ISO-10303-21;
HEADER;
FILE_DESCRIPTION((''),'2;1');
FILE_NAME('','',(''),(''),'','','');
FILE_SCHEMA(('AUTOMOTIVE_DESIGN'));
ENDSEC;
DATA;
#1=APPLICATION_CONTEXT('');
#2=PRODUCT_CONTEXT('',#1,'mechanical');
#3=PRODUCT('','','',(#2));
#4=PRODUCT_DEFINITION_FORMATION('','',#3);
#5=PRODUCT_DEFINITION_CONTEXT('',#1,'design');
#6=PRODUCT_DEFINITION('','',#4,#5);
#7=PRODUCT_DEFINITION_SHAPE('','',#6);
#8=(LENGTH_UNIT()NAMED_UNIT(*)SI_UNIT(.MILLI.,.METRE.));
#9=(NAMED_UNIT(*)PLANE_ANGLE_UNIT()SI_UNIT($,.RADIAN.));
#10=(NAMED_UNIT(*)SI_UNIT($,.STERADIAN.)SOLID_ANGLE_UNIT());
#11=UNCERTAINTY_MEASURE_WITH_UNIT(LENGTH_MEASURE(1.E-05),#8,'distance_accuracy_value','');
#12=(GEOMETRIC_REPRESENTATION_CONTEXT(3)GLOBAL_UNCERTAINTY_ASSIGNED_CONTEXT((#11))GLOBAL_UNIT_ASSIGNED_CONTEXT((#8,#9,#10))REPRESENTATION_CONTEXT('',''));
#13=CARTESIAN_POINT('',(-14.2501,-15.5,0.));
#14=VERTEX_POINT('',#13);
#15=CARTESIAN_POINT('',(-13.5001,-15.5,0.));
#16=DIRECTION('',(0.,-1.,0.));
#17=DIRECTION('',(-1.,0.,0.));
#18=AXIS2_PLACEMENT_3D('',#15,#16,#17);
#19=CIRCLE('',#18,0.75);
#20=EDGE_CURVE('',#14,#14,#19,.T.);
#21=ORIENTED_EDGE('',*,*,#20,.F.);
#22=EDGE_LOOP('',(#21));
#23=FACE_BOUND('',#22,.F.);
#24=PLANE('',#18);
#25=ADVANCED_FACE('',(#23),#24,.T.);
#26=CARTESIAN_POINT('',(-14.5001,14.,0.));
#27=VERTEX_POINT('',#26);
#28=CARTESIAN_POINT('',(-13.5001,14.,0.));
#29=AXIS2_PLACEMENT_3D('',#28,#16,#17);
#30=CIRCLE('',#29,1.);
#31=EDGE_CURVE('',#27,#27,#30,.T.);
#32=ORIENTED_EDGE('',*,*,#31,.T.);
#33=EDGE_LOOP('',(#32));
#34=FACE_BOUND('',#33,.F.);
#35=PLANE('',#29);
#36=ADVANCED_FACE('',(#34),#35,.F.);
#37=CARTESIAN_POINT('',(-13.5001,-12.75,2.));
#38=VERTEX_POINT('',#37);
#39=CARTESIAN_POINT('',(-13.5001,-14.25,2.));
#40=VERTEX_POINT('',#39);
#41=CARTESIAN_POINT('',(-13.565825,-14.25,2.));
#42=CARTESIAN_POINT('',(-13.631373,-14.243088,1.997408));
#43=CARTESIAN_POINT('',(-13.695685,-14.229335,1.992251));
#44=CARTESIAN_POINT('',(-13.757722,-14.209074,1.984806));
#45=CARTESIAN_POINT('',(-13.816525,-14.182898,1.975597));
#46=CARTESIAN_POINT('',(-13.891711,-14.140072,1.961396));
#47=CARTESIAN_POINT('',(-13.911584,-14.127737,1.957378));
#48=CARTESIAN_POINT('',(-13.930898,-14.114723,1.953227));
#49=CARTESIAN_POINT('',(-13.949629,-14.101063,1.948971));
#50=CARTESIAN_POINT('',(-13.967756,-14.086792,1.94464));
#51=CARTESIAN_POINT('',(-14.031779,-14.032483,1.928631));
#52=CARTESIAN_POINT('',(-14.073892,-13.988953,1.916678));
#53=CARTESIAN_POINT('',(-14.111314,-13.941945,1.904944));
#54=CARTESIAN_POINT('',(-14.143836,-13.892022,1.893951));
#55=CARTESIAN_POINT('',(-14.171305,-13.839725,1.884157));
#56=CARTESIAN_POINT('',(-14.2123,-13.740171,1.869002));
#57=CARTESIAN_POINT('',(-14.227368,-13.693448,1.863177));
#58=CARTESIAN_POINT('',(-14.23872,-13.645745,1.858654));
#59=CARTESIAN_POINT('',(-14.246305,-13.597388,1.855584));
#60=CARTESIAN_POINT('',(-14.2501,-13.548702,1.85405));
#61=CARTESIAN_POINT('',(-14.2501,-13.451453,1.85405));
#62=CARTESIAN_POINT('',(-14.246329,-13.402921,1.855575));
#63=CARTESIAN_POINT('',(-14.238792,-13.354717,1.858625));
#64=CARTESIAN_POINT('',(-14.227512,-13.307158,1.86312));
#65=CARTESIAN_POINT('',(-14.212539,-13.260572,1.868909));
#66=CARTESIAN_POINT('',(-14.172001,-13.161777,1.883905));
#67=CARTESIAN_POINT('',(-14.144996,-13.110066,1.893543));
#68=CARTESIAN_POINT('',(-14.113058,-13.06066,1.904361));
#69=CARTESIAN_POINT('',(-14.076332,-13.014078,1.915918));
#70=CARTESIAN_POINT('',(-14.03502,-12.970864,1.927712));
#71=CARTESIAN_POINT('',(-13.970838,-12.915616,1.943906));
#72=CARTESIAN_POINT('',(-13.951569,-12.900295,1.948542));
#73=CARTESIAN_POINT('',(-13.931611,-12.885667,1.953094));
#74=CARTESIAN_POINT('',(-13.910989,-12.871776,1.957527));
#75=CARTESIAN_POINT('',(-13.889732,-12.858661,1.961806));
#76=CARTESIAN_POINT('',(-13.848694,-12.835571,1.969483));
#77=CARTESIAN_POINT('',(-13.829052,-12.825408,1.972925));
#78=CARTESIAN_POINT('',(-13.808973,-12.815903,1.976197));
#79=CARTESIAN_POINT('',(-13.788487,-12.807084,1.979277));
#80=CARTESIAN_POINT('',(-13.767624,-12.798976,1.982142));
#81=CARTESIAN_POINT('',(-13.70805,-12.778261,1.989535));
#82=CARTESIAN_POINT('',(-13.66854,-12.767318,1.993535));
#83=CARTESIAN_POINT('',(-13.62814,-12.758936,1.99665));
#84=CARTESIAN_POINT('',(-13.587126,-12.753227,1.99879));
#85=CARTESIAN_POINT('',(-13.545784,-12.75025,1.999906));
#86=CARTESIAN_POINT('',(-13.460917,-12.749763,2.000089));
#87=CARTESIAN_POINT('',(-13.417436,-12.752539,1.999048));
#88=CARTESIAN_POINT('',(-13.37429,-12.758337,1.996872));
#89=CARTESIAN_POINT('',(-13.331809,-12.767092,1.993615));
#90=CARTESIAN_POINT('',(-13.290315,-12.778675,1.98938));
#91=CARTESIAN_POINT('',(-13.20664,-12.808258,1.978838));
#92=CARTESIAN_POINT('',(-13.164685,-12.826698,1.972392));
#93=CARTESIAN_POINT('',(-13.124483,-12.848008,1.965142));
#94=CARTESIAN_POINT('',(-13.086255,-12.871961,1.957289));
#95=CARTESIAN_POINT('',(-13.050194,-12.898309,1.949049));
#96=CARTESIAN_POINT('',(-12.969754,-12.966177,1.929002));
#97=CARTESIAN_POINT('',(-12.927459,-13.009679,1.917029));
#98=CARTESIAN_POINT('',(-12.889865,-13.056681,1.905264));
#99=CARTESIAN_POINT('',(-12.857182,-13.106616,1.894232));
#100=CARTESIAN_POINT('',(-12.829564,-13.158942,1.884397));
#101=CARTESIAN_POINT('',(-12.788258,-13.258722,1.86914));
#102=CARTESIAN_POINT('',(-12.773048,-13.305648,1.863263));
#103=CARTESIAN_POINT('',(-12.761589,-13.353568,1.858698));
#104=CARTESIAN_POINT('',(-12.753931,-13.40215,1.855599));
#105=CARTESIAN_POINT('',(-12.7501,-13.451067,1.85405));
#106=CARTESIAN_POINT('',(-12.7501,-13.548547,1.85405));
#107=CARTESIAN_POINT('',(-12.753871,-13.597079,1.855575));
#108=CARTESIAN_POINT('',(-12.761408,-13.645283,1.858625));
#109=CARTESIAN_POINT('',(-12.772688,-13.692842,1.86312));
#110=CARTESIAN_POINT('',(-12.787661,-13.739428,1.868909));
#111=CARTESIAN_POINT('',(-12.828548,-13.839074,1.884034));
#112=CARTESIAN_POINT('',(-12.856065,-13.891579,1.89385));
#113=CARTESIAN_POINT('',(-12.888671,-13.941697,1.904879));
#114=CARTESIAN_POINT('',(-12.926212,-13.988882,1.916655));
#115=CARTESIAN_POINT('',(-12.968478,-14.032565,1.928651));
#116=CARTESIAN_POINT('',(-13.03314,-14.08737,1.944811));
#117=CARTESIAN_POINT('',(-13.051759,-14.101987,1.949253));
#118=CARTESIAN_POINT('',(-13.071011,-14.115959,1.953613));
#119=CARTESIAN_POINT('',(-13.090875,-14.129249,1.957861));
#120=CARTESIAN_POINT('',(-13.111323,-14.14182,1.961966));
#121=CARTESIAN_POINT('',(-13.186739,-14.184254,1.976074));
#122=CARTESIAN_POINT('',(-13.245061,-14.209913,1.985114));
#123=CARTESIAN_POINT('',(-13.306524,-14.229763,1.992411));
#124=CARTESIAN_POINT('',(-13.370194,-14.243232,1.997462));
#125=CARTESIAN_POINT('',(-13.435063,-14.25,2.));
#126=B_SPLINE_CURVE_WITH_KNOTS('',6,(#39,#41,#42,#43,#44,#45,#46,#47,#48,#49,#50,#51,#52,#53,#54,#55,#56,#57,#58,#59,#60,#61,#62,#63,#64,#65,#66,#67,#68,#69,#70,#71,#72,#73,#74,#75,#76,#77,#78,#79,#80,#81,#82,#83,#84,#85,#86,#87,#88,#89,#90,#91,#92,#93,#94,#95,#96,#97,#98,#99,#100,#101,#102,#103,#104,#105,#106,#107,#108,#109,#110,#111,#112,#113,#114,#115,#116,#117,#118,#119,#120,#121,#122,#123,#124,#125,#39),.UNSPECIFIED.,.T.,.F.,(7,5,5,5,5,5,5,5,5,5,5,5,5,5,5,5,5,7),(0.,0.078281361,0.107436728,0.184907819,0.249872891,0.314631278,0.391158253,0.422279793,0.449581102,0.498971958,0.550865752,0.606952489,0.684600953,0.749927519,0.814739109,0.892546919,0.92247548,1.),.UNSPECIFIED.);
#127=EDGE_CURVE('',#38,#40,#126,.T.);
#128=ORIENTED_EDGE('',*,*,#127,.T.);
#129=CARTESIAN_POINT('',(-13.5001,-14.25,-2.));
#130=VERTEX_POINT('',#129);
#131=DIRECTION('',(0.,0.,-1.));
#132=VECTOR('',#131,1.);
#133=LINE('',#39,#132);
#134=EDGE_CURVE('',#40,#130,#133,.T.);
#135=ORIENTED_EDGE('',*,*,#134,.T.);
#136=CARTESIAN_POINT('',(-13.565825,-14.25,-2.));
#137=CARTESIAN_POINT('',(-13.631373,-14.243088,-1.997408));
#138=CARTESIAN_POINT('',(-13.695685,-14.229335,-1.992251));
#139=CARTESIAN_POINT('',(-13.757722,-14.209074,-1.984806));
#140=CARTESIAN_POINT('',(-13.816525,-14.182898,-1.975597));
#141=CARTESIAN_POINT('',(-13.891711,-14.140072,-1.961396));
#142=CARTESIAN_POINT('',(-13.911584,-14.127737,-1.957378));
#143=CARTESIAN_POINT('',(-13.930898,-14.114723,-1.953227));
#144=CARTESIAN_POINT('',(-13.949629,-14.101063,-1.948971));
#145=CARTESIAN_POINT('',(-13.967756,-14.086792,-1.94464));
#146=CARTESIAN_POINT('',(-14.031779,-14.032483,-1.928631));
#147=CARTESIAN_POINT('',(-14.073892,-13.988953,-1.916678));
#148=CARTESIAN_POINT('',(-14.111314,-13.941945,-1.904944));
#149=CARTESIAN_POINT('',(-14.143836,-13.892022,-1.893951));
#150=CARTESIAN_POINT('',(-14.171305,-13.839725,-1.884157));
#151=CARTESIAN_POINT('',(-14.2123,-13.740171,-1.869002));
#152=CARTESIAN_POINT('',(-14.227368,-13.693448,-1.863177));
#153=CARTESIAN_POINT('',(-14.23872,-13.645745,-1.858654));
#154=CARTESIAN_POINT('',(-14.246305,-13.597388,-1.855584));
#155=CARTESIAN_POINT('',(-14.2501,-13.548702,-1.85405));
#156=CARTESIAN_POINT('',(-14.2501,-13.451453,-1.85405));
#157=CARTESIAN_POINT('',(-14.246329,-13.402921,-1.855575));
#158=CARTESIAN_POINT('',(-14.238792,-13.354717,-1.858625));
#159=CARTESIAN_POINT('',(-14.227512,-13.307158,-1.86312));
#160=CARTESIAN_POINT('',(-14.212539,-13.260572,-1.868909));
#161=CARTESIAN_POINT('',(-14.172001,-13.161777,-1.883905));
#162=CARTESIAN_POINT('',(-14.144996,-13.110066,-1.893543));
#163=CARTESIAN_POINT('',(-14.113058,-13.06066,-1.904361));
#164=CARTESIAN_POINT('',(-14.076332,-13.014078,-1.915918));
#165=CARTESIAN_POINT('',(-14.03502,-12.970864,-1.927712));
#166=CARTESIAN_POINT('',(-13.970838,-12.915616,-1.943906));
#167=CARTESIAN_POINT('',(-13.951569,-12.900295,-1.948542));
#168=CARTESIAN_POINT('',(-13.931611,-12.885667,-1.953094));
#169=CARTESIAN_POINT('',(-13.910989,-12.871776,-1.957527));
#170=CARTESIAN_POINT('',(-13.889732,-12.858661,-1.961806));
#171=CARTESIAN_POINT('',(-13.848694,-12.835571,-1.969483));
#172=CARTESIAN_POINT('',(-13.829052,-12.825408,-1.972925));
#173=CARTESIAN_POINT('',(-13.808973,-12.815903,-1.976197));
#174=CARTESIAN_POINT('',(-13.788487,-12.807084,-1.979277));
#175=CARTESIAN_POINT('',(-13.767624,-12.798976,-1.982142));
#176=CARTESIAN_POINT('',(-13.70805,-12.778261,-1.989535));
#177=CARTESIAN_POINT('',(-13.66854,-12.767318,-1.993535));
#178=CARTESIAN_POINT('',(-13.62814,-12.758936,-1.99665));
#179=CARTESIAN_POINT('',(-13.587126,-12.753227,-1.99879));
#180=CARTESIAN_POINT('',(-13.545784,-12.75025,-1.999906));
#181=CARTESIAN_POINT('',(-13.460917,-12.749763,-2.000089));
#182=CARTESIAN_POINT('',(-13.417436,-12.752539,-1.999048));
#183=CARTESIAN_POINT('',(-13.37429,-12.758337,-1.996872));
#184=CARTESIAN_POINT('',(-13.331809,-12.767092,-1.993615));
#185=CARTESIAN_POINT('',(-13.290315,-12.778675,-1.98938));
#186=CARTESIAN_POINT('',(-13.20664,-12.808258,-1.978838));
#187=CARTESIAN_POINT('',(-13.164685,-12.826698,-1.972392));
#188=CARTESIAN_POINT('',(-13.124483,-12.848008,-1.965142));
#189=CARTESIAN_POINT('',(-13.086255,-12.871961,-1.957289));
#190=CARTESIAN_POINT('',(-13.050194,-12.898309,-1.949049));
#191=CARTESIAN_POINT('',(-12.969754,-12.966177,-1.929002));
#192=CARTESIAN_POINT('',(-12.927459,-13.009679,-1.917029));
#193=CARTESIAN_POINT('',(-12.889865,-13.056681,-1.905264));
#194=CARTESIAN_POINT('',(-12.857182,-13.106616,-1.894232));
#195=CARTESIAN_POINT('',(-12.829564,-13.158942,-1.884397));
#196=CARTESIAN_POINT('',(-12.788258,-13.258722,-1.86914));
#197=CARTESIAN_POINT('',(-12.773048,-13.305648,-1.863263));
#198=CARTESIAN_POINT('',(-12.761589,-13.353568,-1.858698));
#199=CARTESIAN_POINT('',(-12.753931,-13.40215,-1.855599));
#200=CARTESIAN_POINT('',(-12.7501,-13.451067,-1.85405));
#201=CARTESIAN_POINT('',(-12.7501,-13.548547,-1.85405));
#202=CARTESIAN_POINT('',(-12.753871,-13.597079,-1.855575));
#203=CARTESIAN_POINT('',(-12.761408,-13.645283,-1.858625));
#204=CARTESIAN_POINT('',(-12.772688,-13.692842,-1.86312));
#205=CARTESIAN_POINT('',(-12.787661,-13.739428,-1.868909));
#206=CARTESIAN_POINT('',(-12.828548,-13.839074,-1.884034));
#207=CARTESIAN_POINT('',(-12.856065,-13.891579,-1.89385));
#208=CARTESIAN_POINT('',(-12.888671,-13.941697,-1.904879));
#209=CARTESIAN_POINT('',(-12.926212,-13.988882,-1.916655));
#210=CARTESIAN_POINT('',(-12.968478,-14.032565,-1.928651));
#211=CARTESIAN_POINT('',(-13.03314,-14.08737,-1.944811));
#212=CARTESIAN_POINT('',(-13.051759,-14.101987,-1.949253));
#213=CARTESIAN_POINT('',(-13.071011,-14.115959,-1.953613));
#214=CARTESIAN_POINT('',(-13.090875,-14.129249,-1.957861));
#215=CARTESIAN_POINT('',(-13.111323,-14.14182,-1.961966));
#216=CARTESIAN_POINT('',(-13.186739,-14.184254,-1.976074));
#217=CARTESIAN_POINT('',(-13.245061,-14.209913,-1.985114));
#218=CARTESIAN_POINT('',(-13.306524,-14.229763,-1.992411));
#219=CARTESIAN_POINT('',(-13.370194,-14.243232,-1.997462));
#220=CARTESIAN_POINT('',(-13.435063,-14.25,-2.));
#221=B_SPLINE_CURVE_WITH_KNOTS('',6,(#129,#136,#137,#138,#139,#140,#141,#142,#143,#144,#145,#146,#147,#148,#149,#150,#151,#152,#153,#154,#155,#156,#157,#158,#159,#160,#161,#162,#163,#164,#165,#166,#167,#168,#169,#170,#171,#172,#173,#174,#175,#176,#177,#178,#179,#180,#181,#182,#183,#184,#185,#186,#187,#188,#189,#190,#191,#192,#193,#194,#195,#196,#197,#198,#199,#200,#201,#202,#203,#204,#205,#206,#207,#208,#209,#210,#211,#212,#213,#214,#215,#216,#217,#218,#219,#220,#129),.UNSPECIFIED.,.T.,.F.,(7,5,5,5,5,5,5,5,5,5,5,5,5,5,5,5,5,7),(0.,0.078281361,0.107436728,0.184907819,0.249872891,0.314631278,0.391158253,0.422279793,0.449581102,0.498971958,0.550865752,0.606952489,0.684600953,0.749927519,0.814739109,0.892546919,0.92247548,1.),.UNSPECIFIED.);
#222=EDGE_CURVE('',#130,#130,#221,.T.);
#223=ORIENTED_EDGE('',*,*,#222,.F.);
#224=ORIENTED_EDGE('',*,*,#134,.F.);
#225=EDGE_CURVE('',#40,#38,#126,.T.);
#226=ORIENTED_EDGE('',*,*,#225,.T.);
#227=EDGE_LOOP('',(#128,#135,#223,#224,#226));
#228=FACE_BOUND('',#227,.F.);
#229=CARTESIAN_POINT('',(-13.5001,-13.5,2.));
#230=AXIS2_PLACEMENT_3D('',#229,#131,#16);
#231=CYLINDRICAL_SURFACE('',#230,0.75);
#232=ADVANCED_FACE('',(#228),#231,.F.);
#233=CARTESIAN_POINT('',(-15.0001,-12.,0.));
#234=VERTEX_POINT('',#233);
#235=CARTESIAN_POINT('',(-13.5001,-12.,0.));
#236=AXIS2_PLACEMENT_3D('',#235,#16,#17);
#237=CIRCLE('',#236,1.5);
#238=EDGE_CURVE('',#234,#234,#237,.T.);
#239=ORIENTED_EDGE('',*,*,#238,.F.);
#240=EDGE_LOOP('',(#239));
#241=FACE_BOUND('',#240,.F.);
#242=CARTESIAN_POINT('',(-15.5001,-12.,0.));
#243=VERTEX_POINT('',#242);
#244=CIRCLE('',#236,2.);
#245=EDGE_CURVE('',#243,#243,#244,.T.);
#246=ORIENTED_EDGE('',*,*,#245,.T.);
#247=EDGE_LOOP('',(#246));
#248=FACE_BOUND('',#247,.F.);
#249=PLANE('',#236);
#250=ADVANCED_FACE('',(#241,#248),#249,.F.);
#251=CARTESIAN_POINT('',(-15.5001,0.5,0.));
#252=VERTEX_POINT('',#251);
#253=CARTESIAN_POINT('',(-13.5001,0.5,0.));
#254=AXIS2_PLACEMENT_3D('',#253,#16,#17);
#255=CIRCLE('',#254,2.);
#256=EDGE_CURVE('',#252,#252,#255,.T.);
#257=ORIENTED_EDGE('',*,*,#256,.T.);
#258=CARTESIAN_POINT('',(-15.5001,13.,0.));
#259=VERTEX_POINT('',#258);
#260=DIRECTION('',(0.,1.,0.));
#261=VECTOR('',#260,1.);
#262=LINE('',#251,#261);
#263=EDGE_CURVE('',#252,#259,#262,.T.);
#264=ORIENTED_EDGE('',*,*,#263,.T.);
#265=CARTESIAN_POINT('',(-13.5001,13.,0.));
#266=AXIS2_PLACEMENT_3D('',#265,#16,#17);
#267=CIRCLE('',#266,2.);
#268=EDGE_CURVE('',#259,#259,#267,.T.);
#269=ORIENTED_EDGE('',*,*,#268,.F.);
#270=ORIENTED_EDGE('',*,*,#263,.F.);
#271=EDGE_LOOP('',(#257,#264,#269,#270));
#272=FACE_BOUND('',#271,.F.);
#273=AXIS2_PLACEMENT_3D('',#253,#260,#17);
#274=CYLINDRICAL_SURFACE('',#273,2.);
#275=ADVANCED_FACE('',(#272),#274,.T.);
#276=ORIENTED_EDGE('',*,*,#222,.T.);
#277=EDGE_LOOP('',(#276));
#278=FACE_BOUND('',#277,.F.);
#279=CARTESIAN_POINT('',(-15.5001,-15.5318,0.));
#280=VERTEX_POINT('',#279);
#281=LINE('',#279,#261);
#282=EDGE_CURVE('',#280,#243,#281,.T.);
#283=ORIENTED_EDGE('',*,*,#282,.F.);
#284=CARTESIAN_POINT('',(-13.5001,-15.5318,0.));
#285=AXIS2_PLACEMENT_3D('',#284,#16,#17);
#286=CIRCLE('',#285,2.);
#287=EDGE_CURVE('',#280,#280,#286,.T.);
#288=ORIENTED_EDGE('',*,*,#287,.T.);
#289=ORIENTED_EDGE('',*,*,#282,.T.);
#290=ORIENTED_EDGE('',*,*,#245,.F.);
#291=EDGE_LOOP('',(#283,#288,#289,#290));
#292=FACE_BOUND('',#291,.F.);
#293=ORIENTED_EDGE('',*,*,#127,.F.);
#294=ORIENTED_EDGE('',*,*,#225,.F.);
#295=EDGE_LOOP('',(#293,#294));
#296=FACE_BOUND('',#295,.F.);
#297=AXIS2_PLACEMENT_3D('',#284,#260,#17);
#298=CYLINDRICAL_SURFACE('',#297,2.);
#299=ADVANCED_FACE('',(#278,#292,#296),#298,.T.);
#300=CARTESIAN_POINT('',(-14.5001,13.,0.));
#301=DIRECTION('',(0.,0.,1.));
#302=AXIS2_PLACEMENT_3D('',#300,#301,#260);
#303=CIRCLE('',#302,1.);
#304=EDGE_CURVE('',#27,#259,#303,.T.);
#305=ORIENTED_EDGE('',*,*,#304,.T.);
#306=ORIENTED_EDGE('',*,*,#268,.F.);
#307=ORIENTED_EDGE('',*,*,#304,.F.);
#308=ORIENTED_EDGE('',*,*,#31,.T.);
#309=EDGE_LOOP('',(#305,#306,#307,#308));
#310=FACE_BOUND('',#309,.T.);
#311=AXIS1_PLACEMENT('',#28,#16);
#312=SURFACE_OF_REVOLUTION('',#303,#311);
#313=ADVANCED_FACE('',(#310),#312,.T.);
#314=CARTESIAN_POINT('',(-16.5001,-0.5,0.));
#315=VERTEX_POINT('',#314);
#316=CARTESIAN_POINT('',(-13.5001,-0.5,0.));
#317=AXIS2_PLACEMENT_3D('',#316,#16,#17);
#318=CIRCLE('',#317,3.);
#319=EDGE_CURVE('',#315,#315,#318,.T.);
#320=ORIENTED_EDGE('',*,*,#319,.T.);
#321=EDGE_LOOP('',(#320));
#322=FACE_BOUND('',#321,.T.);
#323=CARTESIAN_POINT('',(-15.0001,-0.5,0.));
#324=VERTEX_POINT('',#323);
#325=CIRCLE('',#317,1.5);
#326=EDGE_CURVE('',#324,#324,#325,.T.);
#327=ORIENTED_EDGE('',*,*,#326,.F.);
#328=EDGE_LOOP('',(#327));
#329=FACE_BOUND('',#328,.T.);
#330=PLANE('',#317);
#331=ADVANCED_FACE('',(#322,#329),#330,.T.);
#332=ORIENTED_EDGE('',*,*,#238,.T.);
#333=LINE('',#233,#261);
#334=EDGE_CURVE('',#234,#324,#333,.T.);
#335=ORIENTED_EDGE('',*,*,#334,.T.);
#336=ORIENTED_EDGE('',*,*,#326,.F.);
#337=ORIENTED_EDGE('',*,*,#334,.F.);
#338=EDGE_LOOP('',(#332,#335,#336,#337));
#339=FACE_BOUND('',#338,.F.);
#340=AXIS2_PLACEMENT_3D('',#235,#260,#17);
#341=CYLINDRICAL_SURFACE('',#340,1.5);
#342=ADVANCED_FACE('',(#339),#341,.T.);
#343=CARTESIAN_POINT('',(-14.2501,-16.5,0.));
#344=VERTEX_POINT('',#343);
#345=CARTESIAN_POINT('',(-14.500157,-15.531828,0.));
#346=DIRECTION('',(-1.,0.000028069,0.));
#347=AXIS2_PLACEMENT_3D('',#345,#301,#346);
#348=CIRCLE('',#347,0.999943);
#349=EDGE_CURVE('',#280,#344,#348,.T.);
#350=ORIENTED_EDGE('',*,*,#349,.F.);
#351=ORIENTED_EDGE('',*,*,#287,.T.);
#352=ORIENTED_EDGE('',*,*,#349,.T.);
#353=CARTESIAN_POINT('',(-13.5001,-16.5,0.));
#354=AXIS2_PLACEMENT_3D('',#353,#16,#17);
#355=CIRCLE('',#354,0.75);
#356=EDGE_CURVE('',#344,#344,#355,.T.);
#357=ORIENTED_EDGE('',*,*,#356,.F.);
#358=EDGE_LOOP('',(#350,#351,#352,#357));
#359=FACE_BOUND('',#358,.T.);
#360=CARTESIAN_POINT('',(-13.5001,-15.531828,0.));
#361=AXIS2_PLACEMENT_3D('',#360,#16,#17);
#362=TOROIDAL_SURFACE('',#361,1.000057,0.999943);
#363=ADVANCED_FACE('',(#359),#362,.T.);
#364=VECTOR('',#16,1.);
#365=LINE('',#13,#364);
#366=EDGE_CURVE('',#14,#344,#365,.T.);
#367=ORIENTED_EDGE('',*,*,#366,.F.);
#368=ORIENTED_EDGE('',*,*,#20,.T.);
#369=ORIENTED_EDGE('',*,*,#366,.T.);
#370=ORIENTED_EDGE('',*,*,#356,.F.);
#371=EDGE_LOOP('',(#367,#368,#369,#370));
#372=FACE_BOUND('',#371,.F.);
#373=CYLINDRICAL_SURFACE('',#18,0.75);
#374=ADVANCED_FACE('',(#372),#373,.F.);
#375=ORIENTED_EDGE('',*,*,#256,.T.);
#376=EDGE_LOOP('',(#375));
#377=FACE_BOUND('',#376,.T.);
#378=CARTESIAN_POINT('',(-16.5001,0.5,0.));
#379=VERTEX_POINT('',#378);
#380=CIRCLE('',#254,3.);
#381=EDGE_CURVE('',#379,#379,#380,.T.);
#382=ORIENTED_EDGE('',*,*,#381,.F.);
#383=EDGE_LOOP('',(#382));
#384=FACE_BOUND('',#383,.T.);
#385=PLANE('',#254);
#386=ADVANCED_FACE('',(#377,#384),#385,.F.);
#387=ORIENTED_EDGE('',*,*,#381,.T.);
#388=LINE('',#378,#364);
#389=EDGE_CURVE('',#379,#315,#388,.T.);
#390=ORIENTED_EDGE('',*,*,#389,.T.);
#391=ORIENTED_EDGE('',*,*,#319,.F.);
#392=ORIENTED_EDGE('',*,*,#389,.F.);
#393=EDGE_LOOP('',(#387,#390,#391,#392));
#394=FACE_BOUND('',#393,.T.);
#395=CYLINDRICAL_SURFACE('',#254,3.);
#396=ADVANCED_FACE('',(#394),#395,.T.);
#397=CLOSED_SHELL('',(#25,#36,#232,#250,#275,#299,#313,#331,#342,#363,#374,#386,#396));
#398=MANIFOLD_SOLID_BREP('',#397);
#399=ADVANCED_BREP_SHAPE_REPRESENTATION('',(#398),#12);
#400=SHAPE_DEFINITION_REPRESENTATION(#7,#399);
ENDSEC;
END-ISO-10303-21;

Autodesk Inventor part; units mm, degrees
ref_plane "YZ Plane" through (0, 0, 0) normal (1, 0, 0) x (0, 1, 0)
ref_plane "XZ Plane" through (0, 0, 0) normal (0, 1, 0) x (-1, 0, 0)
sketch "Sketch1" plane through (0, 0, 0) normal (0, 0, 1) x (1, 0, 0)
  line L0 (-16.5001, 0.5) -> (-16.5001, -0.5)
  line L1 (-13.5001, 14) -> (-13.5001, -15.5)
  line L2 (-15.5001, 0.5) -> (-16.5001, 0.5)
  line L3 (-15.5001, 0.5) -> (-15.5001, 13)
  arc A0 (-14.5001, 14) -> (-15.5001, 13) centre (-14.5001, 13) ccw
  line L4 (-14.5001, 14) -> (-13.5001, 14)
  line L5 (-16.5001, -0.5) -> (-15.0001, -0.5)
  line L6 (-15.0001, -12) -> (-15.0001, -0.5)
  line L7 (-15.5001, -12) -> (-15.0001, -12)
  line L8 (-15.5001, -15.5318) -> (-15.5001, -12)
  line L9 (-13.5001, -15.5) -> (-14.2501, -15.5)
  arc A1 (-15.5001, -15.5318) -> (-14.2501, -16.5) centre (-14.5001, -15.5318) ccw
  line L10 (-14.2501, -15.5) -> (-14.2501, -16.5)
  dimension "d3" = 0.75
  dimension "d10" = 30.5
  dimension "d11" = 1
  dimension "d12" = 2
  dimension "d13" = 1
  dimension "d14" = 1.5
  dimension "d15" = 1
  dimension "d16" = 1.5
  dimension "d17" = 1
  dimension "d18" = 0.5
  dimension "d19" = 4.5
  dimension "d20" = 14.5
  dimension "d22" = 11.5
  dimension "d23" = 2
  dimension "d24" = 1
revolve "Revolution1" add sketch "Sketch1" angle 360 about axis through (-13.5001, 14, 0) along (0, -1, 0)
ref_plane "Work Plane1" through (-13.5001, -13.7659, 2) normal (0, 0, 1) x (1, 0, 0)
sketch "Sketch2" plane through (-13.5001, -13.7659, 2) normal (0, 0, 1) x (1, 0, 0)
  line L0 (0, -1.7659) -> (0, 1.7659) construction
  line L1 (2.2361, 13.2659) -> (-2.2361, 13.2659) construction
  line L2 (-2.2361, 13.2659) -> (-2.2361, 14.2659) construction
  line L3 (-2.2361, 14.2659) -> (0, 14.2659) construction
  line L4 (0, 14.2659) -> (0, 26.7659) construction
  line L5 (2.2361, 14.2659) -> (2.2361, 13.2659) construction
  line L6 (0, 14.2659) -> (2.2361, 14.2659) construction
  point P0 (13.5001, 13.7659)
  point P1 (0, 0.2659)
  dimension "d26" = 1.5
hole "Hole1" at (-13.5001, -13.5, 2) direction (0, 0, -1) diameter 1.5 end through all
properties part number "ConnectorPin"
